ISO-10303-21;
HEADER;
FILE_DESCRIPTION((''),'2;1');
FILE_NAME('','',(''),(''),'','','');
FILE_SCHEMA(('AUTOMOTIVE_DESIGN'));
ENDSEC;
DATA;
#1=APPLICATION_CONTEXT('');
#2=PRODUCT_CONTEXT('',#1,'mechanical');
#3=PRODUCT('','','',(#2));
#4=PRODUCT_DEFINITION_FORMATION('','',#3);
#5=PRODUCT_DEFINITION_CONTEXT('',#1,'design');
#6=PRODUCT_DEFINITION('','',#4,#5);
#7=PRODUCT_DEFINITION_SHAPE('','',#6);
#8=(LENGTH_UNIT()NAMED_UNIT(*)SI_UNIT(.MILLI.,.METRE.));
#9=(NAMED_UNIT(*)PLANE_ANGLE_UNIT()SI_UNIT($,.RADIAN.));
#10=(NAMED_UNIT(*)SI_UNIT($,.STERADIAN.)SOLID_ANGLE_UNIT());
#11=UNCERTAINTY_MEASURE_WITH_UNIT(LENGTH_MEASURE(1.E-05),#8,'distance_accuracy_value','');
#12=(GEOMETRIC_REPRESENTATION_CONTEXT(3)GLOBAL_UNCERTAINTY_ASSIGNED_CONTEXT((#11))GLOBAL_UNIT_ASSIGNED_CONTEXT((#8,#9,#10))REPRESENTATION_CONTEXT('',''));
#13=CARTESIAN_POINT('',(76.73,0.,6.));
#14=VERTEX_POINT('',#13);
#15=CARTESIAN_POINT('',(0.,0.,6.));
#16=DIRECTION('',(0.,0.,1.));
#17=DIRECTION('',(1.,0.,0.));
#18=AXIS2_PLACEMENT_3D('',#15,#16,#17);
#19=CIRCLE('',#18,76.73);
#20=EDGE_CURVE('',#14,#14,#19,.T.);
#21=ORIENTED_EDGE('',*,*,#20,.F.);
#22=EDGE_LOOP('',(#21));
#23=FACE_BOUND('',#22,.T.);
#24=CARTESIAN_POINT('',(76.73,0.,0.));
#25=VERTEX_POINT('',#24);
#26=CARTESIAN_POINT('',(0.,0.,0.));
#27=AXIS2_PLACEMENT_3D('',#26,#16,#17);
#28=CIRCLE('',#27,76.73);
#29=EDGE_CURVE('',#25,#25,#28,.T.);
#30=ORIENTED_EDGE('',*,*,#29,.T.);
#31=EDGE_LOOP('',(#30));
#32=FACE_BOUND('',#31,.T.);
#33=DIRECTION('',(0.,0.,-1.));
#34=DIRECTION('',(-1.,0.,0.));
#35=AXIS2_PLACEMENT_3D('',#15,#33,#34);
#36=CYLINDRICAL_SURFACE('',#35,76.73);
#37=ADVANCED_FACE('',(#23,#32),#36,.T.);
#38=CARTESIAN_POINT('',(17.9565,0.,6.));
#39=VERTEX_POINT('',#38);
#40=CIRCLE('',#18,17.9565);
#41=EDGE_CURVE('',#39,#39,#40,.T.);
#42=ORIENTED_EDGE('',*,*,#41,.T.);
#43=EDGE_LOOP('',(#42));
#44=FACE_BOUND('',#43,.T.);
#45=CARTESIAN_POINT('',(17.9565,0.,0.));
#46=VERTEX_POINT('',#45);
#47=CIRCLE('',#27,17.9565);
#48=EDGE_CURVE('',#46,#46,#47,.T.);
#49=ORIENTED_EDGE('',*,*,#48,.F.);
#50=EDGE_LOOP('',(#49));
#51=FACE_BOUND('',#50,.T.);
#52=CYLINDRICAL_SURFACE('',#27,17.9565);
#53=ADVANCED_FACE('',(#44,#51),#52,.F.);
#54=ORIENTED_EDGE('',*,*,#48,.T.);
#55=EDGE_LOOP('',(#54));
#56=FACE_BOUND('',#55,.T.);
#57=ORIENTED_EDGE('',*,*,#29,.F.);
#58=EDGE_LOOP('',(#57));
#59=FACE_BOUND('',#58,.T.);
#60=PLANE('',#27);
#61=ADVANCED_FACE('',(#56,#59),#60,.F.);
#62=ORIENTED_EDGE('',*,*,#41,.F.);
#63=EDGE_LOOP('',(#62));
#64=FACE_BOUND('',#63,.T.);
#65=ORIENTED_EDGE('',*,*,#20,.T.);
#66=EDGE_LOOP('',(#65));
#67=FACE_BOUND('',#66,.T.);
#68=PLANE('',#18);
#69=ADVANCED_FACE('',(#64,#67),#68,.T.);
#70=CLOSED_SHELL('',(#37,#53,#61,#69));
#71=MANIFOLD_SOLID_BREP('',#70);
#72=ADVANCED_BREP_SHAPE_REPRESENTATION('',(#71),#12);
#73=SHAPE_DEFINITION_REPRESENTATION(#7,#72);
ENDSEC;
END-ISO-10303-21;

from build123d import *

# Parameters (mm, degrees)
SKETCH1_R           = 76.73
BOSS_EXTRUDE1_DEPTH = 6
SKETCH2_R           = 17.9565
CUT_EXTRUDE1_DEPTH  = 6


with BuildPart() as part:
    # Sketch1 → Boss-Extrude1 (new body)
    with BuildSketch(Plane.XY):
        Circle(SKETCH1_R)
    extrude(amount=BOSS_EXTRUDE1_DEPTH)

    # Sketch2 → Cut-Extrude1 (cut)
    with BuildSketch(Plane.XY.offset(6)):
        Circle(SKETCH2_R)
    extrude(amount=-CUT_EXTRUDE1_DEPTH, mode=Mode.SUBTRACT)


solid = part.part
